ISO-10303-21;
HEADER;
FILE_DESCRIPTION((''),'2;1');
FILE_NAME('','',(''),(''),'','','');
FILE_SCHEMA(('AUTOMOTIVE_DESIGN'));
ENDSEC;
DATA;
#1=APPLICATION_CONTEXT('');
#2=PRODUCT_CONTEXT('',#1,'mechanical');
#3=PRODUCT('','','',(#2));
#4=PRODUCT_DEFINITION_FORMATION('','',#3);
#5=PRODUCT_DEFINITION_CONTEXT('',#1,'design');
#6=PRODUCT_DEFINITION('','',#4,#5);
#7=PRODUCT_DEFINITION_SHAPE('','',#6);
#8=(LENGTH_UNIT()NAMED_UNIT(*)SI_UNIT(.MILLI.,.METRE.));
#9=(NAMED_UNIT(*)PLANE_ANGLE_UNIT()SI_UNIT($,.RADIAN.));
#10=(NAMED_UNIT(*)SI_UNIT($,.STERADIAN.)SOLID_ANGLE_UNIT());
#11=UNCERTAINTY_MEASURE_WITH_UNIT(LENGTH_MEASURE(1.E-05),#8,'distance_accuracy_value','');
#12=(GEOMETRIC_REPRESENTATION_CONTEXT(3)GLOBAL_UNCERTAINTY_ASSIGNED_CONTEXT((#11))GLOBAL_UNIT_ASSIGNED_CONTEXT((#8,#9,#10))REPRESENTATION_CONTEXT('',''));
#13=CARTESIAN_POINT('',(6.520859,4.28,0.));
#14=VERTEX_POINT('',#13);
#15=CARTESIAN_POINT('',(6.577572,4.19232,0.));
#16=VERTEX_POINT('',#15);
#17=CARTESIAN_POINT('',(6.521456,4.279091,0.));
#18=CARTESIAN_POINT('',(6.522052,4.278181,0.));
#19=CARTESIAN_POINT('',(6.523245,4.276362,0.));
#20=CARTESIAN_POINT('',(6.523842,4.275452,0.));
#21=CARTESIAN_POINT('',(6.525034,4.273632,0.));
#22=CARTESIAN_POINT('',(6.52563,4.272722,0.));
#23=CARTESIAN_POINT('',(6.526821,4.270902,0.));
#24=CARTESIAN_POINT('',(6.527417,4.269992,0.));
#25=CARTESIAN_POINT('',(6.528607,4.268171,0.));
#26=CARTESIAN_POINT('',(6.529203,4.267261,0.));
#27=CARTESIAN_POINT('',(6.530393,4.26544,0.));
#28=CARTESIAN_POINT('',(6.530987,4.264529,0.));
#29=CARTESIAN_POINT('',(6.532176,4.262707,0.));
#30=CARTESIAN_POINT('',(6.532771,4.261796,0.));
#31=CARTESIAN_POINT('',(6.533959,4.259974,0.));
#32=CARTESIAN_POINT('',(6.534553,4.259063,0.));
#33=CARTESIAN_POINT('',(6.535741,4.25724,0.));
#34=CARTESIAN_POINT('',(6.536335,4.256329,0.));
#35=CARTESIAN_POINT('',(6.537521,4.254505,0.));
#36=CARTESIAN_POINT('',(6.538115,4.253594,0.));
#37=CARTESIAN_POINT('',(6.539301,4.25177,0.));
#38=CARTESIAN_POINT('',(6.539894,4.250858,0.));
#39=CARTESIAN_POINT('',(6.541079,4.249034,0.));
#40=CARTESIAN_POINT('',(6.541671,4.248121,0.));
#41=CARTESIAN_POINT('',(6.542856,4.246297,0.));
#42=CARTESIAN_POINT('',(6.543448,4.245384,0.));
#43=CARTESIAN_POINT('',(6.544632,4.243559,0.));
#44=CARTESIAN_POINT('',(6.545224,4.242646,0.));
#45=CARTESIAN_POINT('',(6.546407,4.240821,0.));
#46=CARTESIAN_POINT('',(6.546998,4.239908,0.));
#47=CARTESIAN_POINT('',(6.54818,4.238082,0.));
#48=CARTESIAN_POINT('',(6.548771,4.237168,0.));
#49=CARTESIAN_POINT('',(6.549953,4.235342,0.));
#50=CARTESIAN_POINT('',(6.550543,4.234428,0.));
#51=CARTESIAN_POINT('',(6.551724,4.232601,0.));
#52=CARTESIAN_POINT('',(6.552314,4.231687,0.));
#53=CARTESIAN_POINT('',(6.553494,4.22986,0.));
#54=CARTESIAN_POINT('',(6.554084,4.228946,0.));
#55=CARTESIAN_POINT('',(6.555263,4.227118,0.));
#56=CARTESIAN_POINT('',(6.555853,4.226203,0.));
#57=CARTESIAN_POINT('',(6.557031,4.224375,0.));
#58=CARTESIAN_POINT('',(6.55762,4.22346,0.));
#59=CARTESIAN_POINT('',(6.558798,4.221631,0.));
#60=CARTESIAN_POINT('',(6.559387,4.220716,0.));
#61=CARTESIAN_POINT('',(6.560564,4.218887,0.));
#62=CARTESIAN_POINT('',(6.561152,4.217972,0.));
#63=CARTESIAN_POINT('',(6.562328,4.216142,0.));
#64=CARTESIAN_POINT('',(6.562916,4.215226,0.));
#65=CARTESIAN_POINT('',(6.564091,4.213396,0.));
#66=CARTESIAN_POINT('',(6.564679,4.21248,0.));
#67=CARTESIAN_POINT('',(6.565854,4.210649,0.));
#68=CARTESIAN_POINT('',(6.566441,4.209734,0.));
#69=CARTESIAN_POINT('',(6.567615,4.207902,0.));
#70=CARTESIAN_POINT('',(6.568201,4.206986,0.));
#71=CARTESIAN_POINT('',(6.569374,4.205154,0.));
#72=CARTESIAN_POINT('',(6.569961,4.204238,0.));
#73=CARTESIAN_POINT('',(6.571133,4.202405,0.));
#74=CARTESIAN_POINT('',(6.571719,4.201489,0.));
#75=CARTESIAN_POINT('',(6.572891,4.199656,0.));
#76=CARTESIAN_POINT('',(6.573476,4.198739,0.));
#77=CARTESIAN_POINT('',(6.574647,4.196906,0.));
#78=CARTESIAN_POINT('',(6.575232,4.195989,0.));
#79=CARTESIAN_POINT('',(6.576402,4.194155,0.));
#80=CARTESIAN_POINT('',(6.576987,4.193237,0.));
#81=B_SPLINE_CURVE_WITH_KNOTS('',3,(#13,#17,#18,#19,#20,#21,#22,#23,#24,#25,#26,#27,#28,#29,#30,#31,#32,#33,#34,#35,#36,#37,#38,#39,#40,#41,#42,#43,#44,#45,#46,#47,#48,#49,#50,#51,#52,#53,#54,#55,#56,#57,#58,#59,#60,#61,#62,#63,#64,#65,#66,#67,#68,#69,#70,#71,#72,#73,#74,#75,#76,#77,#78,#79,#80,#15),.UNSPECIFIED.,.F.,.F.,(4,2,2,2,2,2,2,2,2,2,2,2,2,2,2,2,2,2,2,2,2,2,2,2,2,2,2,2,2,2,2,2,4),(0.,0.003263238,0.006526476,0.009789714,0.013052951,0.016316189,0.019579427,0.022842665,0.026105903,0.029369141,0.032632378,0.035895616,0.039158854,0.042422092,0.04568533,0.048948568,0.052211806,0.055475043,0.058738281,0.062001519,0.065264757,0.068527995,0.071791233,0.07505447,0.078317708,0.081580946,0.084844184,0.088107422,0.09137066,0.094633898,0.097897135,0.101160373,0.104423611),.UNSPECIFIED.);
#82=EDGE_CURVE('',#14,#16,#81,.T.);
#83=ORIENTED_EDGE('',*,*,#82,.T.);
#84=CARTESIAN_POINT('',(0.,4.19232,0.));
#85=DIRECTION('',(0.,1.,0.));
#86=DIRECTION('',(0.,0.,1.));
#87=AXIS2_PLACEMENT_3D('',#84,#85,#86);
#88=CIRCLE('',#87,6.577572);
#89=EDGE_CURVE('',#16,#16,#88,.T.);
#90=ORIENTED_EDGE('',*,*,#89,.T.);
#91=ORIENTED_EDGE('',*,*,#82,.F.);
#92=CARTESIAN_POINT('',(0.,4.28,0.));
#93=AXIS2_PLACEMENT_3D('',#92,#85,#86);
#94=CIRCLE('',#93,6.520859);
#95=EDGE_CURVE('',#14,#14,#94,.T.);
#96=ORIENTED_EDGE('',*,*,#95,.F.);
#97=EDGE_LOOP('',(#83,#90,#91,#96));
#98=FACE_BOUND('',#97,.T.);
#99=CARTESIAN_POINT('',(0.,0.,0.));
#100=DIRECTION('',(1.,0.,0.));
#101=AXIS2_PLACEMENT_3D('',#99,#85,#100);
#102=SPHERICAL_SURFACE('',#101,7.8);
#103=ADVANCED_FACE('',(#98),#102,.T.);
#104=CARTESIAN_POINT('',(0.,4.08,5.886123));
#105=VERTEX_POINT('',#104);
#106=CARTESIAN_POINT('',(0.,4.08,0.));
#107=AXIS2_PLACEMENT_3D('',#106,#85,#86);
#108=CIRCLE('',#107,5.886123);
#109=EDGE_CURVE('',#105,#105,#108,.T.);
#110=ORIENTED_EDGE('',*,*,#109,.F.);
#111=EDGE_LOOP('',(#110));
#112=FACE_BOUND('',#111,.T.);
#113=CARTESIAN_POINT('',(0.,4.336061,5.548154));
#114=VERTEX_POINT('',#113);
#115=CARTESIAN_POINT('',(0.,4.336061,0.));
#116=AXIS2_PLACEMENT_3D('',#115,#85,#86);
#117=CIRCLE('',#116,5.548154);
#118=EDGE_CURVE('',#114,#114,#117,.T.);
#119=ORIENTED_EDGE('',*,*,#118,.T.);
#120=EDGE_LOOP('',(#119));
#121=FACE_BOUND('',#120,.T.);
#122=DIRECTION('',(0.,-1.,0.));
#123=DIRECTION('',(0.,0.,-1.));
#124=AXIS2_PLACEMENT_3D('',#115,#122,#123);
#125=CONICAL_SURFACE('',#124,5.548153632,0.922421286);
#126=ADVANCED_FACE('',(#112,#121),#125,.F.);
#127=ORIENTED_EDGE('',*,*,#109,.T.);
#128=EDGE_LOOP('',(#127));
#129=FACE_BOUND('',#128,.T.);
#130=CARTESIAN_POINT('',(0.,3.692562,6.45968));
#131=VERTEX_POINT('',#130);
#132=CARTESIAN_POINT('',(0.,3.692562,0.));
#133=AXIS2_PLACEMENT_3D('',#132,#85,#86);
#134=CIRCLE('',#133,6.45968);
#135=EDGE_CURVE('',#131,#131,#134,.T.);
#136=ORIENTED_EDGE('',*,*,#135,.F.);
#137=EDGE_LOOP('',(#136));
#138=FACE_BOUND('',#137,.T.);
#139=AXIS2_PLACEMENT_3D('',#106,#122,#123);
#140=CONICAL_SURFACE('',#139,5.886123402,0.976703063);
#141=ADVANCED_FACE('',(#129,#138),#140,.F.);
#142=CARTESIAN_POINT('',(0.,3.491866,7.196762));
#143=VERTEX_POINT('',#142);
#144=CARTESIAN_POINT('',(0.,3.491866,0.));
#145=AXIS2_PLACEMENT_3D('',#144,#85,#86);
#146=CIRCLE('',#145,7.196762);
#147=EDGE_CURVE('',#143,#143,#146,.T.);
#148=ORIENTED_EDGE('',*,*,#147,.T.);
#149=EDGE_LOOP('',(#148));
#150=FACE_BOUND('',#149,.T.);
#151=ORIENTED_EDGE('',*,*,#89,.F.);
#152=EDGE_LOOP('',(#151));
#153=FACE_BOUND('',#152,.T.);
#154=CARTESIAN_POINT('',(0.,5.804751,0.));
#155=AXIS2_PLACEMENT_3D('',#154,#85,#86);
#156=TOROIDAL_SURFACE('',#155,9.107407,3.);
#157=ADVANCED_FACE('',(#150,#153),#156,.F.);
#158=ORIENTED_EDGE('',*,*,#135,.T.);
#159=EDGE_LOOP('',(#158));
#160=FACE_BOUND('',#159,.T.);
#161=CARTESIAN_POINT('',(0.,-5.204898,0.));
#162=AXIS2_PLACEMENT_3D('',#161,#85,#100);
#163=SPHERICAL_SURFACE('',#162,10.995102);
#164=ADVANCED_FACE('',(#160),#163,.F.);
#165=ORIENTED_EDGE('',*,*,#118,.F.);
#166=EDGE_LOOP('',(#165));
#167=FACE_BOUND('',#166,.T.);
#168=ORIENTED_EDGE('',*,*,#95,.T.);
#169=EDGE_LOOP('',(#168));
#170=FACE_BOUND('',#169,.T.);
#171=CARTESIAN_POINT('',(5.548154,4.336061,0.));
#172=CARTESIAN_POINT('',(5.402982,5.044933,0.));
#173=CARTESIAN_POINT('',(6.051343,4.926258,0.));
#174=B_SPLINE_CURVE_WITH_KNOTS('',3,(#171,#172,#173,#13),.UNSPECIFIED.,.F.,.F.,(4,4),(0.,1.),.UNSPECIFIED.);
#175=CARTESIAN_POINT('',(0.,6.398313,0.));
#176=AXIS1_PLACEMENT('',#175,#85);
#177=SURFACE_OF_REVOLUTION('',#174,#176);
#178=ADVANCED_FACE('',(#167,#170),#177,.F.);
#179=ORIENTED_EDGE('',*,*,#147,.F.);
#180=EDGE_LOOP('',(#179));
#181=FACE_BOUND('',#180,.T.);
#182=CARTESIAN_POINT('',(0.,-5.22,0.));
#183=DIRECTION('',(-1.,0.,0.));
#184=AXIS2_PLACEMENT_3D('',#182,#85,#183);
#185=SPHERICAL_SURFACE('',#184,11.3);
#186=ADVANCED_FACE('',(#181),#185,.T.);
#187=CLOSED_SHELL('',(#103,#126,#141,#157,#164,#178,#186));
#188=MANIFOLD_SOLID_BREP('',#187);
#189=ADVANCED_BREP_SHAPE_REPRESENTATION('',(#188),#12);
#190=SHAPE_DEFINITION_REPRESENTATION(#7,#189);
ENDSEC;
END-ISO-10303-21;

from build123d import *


with BuildPart() as part:
    # Sketch6 (on Front Plane) → sclera (revolve)
    with BuildSketch(Plane.XY):
        with BuildLine():
            Line((5.548153632, 4.336060606), (5.886123402, 4.08))
            Line((5.886123402, 4.08), (6.45968041, 3.692562089))
            ThreePointArc((6.45968041, 3.692562089), (10.457551069, -8.60076214), (0, -16.2))
            Line((0, -16.2), (0, -16.52))
            ThreePointArc((0, -16.52), (10.633298815, -9.043997424), (7.196762351, 3.491866142))
            ThreePointArc((7.196762351, 3.491866142), (6.859713943, 3.817824959), (6.577571883, 4.192320136))
            ThreePointArc((6.577571883, 4.192320136), (6.54936209, 4.236254975), (6.520858839, 4.28))
            add(Edge.make_bspline(
                [(5.548153632, 4.336060606), (5.40298249, 5.044933477), (6.051343216, 4.92625791), (6.520858839, 4.28)],
                knots=[0, 0, 0, 0, 1, 1, 1, 1], degree=3))
        make_face()
    revolve(axis=Axis((0, 6.398313168, 0), (0, -1, 0)))


solid = part.part
